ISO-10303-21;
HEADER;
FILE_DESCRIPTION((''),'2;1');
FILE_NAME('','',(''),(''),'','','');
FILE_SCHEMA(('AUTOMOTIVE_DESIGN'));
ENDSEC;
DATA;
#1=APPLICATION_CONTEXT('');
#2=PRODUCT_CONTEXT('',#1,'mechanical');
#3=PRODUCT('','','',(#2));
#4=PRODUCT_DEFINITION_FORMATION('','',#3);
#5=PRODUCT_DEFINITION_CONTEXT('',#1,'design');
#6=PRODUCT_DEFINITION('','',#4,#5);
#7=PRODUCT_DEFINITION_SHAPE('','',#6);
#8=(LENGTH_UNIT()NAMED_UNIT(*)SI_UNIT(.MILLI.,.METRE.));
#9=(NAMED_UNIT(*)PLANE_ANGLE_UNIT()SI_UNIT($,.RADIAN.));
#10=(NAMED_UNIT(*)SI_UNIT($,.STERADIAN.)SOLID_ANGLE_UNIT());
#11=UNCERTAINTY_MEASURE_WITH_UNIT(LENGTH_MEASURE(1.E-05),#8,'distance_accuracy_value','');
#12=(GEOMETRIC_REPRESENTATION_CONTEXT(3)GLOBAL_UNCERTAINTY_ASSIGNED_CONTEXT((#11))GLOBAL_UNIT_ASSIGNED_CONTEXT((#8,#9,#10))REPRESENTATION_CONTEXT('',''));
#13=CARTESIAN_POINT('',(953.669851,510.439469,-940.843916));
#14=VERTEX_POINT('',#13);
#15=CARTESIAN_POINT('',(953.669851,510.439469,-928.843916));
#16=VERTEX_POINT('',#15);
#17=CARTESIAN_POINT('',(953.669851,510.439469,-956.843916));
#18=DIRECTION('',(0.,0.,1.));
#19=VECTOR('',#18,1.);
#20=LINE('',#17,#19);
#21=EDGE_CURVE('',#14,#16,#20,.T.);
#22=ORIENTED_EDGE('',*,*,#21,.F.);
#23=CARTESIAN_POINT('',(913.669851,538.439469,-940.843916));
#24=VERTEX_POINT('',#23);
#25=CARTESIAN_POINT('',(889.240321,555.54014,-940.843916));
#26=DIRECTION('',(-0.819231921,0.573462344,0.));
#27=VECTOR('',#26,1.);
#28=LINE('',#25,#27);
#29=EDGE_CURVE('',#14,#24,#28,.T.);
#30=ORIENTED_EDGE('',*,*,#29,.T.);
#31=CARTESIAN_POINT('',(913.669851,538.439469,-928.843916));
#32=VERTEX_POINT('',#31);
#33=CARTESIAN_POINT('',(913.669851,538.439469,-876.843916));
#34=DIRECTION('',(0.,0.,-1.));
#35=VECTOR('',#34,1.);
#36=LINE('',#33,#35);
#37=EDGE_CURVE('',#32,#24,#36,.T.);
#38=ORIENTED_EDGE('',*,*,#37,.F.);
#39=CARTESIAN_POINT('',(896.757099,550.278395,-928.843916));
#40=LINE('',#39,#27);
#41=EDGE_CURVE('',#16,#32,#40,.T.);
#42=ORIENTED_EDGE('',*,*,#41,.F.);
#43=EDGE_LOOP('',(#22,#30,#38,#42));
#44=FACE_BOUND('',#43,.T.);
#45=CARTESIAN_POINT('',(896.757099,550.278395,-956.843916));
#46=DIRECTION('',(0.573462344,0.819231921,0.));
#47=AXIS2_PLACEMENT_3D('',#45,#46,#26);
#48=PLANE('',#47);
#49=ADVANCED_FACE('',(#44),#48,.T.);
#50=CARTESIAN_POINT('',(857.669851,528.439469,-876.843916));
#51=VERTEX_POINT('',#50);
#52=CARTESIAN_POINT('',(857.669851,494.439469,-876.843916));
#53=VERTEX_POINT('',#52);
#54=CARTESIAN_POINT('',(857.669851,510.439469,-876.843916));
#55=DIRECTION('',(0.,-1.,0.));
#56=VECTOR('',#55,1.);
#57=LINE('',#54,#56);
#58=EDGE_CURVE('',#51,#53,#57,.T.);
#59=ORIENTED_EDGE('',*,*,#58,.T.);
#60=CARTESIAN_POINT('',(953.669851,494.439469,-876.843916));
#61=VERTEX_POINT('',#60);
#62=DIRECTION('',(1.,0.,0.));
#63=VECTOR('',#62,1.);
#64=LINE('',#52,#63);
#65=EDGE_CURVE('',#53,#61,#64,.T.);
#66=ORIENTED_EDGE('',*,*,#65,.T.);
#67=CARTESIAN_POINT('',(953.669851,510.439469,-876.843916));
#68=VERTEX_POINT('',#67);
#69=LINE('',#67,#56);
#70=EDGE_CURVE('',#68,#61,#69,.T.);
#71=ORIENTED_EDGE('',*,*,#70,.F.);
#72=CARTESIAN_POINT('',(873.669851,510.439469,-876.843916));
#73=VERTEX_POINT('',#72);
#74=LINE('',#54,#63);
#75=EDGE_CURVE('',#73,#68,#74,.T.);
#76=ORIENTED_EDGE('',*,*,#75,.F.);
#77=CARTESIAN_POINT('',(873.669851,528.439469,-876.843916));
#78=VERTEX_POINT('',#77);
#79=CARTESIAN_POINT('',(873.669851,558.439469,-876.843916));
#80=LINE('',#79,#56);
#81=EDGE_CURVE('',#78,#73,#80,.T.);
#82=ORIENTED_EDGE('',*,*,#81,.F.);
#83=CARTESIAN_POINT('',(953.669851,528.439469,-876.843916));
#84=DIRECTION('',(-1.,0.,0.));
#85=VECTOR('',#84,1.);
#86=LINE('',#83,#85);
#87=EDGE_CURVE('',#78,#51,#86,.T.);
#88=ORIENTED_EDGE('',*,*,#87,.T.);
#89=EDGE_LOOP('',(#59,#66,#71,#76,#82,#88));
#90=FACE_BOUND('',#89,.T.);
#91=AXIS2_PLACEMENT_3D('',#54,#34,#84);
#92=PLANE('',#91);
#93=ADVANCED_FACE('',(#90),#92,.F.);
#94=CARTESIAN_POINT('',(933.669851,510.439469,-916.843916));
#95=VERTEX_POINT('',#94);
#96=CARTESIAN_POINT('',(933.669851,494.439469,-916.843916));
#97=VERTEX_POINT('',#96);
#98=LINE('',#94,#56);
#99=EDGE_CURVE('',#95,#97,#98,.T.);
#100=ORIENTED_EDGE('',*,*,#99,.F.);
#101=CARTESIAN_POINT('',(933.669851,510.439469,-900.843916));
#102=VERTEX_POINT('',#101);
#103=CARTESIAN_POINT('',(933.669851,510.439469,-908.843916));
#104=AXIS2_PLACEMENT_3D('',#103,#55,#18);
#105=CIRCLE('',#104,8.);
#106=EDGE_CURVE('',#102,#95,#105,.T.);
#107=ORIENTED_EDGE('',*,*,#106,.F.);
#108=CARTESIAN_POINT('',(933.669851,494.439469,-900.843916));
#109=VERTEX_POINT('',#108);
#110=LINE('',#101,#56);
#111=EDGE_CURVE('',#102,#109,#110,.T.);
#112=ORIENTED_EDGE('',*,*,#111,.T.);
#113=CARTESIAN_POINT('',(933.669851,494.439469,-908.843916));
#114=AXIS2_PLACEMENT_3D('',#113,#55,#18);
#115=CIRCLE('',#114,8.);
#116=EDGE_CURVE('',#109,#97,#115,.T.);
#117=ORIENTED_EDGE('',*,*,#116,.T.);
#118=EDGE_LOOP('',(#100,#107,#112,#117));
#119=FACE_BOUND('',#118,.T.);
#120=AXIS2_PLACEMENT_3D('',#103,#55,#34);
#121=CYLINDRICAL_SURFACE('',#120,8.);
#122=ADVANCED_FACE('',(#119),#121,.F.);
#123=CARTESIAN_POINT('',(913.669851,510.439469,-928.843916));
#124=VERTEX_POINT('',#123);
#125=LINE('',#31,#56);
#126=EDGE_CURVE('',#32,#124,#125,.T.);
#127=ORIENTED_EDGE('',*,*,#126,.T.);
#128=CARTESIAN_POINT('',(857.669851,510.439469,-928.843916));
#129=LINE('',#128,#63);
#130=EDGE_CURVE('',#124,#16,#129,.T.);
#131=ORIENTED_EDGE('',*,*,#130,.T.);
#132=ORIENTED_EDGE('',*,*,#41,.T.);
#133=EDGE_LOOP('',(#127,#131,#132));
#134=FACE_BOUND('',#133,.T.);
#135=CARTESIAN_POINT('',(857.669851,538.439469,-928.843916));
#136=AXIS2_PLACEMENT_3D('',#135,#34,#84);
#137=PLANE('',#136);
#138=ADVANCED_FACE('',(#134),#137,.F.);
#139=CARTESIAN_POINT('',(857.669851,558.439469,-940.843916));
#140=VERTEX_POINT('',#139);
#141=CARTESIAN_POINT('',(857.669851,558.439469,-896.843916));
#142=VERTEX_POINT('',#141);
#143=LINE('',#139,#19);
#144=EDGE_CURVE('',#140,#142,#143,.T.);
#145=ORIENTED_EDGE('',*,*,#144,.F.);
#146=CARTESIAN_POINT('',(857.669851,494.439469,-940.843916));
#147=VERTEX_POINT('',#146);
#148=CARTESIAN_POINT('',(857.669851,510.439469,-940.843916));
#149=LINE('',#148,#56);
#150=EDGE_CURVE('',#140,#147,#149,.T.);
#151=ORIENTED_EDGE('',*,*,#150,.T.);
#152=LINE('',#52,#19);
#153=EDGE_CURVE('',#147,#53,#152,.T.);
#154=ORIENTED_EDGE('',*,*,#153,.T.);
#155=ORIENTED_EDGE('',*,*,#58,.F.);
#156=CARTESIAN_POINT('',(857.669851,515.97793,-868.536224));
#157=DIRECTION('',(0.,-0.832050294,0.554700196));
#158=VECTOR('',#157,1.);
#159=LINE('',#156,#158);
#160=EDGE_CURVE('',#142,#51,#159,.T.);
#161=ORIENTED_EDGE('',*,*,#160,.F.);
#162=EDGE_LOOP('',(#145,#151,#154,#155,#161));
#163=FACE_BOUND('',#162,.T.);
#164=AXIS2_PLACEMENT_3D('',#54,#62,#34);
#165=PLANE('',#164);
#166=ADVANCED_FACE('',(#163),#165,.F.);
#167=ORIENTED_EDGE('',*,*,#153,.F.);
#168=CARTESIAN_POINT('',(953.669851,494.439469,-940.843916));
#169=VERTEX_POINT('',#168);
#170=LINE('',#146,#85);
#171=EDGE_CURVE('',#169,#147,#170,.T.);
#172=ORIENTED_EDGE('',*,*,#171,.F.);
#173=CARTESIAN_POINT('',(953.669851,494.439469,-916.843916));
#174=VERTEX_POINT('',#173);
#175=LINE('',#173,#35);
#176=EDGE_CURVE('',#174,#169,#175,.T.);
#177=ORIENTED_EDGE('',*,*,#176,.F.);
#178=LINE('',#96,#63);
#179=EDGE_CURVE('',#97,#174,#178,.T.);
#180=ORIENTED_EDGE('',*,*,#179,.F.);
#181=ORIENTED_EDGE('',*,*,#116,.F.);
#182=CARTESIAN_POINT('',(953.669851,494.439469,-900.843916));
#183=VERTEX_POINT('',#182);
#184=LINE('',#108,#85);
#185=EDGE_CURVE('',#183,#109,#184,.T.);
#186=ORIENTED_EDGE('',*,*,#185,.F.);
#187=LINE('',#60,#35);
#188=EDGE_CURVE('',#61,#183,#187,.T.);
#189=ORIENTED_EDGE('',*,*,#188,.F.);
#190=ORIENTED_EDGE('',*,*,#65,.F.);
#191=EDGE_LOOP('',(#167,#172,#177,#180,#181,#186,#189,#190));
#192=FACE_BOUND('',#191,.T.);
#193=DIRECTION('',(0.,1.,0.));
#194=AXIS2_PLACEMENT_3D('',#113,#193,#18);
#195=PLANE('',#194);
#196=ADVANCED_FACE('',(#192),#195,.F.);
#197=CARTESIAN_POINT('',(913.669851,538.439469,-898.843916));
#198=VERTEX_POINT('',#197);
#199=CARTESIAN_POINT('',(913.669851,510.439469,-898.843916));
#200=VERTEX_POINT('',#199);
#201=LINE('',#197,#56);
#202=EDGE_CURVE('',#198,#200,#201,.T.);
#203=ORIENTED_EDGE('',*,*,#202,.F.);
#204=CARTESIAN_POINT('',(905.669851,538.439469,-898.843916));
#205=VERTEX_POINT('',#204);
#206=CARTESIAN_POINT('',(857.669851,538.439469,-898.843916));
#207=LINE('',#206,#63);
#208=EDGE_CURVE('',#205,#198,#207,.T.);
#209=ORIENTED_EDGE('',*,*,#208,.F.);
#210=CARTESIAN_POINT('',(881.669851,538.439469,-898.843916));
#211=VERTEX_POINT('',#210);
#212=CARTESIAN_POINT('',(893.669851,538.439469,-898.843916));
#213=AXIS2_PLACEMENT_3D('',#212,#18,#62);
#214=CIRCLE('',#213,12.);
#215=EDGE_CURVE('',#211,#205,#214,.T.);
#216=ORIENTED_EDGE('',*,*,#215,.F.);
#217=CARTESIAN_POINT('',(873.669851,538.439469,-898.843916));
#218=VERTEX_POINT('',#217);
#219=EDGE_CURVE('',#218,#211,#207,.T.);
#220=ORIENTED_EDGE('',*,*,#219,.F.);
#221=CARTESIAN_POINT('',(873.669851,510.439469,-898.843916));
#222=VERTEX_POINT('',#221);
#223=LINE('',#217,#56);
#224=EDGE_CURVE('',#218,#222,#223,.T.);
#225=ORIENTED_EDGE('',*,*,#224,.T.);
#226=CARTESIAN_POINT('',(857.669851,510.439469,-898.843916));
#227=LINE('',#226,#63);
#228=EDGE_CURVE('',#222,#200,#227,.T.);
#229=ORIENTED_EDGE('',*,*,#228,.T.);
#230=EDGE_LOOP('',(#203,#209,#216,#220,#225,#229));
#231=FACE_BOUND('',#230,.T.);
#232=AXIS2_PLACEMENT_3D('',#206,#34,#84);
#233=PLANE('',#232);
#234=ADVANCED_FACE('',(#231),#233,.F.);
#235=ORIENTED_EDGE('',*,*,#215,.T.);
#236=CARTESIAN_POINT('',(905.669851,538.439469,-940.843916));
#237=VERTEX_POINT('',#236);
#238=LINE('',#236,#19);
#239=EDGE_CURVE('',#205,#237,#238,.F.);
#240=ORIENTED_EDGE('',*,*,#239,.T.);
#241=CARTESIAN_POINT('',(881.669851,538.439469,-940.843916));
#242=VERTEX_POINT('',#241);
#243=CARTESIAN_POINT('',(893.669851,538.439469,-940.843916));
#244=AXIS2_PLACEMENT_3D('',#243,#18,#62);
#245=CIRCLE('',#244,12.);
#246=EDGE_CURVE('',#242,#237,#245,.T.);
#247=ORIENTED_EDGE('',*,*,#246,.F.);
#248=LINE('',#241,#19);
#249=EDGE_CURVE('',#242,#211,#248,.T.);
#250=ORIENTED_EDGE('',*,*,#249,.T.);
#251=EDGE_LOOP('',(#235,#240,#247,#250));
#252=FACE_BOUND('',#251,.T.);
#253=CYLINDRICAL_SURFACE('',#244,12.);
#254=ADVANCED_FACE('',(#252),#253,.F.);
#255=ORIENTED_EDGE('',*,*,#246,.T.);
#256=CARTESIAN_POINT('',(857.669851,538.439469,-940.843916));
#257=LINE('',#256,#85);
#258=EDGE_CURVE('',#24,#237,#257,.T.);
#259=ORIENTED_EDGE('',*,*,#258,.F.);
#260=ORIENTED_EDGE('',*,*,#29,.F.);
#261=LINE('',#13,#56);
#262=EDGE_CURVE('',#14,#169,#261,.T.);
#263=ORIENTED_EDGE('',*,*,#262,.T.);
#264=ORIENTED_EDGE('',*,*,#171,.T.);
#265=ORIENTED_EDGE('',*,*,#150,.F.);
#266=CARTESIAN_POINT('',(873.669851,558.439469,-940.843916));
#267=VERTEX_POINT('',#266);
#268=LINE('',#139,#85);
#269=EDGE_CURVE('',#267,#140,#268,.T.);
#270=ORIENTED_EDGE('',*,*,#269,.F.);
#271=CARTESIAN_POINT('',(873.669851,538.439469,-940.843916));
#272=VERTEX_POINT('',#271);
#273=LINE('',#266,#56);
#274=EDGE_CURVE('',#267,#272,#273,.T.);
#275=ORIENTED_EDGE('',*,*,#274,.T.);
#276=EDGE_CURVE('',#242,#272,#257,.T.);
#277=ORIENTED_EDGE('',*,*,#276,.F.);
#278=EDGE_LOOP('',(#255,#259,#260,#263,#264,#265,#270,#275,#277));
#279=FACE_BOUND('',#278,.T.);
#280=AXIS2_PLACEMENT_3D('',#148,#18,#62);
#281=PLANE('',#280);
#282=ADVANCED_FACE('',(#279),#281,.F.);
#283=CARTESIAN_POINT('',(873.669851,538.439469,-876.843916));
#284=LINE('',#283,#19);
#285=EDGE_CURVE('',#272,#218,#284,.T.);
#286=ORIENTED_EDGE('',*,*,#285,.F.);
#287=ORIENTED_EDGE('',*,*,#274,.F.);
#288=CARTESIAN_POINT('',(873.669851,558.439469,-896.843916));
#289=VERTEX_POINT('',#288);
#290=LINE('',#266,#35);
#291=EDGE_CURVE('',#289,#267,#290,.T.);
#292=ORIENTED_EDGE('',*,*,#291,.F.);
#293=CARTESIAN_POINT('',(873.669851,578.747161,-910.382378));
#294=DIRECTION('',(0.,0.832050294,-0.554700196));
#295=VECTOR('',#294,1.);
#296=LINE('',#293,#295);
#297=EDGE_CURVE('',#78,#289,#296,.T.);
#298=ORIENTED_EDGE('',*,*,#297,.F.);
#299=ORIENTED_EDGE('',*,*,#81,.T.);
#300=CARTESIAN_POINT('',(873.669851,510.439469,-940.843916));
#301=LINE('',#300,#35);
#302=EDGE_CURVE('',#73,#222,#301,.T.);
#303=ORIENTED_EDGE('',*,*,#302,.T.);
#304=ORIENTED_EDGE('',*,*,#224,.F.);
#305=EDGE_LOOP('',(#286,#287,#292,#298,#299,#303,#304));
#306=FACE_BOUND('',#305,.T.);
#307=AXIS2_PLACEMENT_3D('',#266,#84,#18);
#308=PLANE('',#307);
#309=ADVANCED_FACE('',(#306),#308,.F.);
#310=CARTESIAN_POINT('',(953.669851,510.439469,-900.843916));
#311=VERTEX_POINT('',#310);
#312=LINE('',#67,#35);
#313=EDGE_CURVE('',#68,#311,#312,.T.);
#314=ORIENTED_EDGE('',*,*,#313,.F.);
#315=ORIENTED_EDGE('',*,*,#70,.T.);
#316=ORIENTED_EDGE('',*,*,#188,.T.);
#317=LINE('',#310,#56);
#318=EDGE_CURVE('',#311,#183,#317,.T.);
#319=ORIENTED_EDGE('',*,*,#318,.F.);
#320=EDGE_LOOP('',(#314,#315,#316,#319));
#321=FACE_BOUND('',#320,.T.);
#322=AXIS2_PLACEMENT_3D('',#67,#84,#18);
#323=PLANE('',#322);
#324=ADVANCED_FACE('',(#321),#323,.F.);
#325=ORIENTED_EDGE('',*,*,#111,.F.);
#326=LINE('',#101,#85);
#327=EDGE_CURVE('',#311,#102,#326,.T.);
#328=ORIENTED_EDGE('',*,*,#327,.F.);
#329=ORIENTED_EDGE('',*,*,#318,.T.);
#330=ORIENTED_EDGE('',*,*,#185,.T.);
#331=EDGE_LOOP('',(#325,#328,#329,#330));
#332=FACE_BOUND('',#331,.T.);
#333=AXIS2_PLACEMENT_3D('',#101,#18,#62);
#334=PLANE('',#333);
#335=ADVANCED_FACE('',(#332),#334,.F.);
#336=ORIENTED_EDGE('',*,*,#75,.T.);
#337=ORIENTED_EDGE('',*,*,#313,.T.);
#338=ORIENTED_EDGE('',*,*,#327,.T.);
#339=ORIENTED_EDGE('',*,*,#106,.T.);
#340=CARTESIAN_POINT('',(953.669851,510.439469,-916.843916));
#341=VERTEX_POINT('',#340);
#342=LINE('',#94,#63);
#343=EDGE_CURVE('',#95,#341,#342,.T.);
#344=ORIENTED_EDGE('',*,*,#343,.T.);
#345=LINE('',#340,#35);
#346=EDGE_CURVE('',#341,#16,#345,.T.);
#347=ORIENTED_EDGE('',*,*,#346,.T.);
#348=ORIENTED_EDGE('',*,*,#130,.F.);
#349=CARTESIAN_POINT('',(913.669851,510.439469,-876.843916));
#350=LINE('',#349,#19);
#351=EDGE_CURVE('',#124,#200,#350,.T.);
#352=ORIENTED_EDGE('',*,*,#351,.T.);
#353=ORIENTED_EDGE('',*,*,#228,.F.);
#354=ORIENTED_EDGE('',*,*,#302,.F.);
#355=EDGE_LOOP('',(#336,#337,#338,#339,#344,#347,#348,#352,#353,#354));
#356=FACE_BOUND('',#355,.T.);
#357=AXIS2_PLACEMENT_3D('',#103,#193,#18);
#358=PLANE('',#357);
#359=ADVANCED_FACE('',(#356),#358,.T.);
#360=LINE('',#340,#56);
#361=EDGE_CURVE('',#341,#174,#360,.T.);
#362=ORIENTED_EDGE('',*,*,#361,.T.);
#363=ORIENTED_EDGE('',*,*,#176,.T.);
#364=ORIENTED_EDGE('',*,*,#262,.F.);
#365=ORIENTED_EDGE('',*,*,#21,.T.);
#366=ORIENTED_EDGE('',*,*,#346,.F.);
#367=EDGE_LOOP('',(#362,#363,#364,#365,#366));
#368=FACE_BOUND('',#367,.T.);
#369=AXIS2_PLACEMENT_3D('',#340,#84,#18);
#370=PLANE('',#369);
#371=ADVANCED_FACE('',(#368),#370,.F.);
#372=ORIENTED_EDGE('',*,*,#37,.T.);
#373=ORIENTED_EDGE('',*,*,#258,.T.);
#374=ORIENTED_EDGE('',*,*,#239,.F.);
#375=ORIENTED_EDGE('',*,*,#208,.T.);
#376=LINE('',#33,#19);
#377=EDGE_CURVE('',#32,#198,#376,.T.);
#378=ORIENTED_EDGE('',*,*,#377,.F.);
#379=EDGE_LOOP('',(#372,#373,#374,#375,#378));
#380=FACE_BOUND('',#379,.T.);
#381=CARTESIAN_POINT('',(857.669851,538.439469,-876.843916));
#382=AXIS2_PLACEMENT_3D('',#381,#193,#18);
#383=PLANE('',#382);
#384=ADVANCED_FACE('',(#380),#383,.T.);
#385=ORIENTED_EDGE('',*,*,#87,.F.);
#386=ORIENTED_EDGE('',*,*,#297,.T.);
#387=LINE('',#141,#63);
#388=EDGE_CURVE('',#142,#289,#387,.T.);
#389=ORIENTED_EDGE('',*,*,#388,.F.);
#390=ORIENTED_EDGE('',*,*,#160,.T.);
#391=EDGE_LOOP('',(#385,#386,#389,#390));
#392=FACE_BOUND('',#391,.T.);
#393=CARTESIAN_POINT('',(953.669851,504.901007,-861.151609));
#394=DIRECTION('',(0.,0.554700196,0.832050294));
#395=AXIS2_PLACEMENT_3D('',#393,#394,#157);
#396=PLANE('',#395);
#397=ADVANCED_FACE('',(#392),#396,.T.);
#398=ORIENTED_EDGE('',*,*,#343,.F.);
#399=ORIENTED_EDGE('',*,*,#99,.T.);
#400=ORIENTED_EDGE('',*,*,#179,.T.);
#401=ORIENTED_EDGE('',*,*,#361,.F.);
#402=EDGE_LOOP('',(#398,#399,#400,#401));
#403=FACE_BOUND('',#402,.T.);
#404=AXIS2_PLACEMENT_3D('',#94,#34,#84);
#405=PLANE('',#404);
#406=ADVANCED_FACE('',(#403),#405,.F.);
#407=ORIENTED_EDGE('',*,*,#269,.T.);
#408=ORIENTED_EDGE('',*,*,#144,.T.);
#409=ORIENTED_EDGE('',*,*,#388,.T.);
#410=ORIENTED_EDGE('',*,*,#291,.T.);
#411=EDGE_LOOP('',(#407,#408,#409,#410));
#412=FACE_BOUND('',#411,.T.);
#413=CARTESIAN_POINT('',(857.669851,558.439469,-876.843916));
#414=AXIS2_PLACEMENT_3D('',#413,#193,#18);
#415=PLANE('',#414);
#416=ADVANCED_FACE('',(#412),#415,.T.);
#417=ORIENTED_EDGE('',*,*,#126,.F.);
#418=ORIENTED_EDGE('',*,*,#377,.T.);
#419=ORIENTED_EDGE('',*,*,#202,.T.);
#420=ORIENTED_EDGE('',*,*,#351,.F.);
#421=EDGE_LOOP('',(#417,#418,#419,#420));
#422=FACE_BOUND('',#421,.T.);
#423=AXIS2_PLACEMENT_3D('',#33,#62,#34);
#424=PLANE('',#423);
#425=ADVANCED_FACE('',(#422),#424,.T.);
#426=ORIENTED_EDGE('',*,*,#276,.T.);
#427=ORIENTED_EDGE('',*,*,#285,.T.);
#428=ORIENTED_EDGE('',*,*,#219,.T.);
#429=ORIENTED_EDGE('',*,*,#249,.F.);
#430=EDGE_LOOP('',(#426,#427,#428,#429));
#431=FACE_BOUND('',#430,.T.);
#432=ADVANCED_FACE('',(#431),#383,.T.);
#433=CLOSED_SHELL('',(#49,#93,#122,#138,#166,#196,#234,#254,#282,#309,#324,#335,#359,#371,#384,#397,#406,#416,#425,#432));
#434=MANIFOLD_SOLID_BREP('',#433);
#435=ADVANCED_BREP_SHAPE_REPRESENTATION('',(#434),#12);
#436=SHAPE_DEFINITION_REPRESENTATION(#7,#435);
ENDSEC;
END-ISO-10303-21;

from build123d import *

# Parameters (mm, degrees)
BOSS_EXTRUDE1_DEPTH     = 406.4
SKETCH2_W               = 406.4
SKETCH2_H               = 1625.6
BOSS_EXTRUDE2_DEPTH     = 1219.2
CUT_EXTRUDE1_DEPTH      = 3069.252714494
CUT_EXTRUDE1_DEPTH_BACK = 1219.2
SKETCH4_W               = 1016
SKETCH4_H               = 304.8
BOSS_EXTRUDE3_DEPTH     = 711.2
SKETCH5_R               = 304.8
CUT_EXTRUDE2_DEPTH      = 3119.722841164
CUT_EXTRUDE3_DEPTH      = 711.2
SCALE1_SCALE            = 0.039370079


with BuildPart() as part:
    # Sketch1 → Boss-Extrude1 (new body)
    with BuildSketch(Plane(origin=(0, 0, 0), x_dir=(1, 0, 0), z_dir=(0, 1, 0))):
        with BuildLine():
            Line((1930.4, 1016), (2438.4, 1016))
            Line((2438.4, 1016), (2438.4, 1625.6))
            Line((2438.4, 1625.6), (0, 1625.6))
            Line((0, 1625.6), (0, 0))
            Line((0, 0), (2438.4, 0))
            Line((2438.4, 0), (2438.4, 609.6))
            Line((2438.4, 609.6), (1930.4, 609.6))
            ThreePointArc((1930.4, 609.6), (1727.2, 812.8), (1930.4, 1016))
        make_face()
    extrude(amount=BOSS_EXTRUDE1_DEPTH)

    # Sketch2 → Boss-Extrude2 (add)
    with BuildSketch(Plane(origin=(0, 406.4, 0), x_dir=(1, 0, 0), z_dir=(0, 1, 0))):
        with Locations((203.2, 812.8)):
            Rectangle(SKETCH2_W, SKETCH2_H)
    extrude(amount=BOSS_EXTRUDE2_DEPTH)

    # Sketch3 → Cut-Extrude1 (cut, two sides: drawn at the far end of the back side and taken through both)
    with BuildSketch(Plane(origin=(406.4, 0, 0), x_dir=(0, 0, -1), z_dir=(1, 0, 0)).offset(-CUT_EXTRUDE1_DEPTH_BACK)):
        Polygon((0, 1625.6), (0, 863.6), (508, 1625.6), align=None)
    extrude(amount=CUT_EXTRUDE1_DEPTH + CUT_EXTRUDE1_DEPTH_BACK, mode=Mode.SUBTRACT)

    # Sketch4 → Boss-Extrude3 (add)
    with BuildSketch(Plane(origin=(0, 406.4, 0), x_dir=(1, 0, 0), z_dir=(0, 1, 0))):
        Polygon((1422.4, 1625.6), (406.4, 1625.6), (406.4, 558.8), (1422.4, 558.8), (1422.4, 1320.8), align=None)
        with Locations((1930.4, 1473.2)):
            Rectangle(SKETCH4_W, SKETCH4_H)
    extrude(amount=BOSS_EXTRUDE3_DEPTH)

    # Sketch5 → Cut-Extrude2 (cut, through all)
    with BuildSketch(Plane.XY.offset(-558.8)):
        with Locations((914.4, 1117.6)):
            Circle(SKETCH5_R)
    extrude(amount=-CUT_EXTRUDE2_DEPTH, mode=Mode.SUBTRACT)

    # Sketch6 → Cut-Extrude3 (cut)
    with BuildSketch(Plane.XY.offset(-1320.8)):
        Polygon((2438.4, 406.4), (1422.4, 1117.6), (2438.4, 1117.6), align=None)
    extrude(amount=-CUT_EXTRUDE3_DEPTH, mode=Mode.SUBTRACT)


with BuildPart() as part_1:
    # Scale1: scaled about (892.820254443, 514.703381523, -912.780142535)
    add(part.part.scale(SCALE1_SCALE).moved(Location((857.669850725, 494.439468865, -876.843916451))))


solid = part_1.part
